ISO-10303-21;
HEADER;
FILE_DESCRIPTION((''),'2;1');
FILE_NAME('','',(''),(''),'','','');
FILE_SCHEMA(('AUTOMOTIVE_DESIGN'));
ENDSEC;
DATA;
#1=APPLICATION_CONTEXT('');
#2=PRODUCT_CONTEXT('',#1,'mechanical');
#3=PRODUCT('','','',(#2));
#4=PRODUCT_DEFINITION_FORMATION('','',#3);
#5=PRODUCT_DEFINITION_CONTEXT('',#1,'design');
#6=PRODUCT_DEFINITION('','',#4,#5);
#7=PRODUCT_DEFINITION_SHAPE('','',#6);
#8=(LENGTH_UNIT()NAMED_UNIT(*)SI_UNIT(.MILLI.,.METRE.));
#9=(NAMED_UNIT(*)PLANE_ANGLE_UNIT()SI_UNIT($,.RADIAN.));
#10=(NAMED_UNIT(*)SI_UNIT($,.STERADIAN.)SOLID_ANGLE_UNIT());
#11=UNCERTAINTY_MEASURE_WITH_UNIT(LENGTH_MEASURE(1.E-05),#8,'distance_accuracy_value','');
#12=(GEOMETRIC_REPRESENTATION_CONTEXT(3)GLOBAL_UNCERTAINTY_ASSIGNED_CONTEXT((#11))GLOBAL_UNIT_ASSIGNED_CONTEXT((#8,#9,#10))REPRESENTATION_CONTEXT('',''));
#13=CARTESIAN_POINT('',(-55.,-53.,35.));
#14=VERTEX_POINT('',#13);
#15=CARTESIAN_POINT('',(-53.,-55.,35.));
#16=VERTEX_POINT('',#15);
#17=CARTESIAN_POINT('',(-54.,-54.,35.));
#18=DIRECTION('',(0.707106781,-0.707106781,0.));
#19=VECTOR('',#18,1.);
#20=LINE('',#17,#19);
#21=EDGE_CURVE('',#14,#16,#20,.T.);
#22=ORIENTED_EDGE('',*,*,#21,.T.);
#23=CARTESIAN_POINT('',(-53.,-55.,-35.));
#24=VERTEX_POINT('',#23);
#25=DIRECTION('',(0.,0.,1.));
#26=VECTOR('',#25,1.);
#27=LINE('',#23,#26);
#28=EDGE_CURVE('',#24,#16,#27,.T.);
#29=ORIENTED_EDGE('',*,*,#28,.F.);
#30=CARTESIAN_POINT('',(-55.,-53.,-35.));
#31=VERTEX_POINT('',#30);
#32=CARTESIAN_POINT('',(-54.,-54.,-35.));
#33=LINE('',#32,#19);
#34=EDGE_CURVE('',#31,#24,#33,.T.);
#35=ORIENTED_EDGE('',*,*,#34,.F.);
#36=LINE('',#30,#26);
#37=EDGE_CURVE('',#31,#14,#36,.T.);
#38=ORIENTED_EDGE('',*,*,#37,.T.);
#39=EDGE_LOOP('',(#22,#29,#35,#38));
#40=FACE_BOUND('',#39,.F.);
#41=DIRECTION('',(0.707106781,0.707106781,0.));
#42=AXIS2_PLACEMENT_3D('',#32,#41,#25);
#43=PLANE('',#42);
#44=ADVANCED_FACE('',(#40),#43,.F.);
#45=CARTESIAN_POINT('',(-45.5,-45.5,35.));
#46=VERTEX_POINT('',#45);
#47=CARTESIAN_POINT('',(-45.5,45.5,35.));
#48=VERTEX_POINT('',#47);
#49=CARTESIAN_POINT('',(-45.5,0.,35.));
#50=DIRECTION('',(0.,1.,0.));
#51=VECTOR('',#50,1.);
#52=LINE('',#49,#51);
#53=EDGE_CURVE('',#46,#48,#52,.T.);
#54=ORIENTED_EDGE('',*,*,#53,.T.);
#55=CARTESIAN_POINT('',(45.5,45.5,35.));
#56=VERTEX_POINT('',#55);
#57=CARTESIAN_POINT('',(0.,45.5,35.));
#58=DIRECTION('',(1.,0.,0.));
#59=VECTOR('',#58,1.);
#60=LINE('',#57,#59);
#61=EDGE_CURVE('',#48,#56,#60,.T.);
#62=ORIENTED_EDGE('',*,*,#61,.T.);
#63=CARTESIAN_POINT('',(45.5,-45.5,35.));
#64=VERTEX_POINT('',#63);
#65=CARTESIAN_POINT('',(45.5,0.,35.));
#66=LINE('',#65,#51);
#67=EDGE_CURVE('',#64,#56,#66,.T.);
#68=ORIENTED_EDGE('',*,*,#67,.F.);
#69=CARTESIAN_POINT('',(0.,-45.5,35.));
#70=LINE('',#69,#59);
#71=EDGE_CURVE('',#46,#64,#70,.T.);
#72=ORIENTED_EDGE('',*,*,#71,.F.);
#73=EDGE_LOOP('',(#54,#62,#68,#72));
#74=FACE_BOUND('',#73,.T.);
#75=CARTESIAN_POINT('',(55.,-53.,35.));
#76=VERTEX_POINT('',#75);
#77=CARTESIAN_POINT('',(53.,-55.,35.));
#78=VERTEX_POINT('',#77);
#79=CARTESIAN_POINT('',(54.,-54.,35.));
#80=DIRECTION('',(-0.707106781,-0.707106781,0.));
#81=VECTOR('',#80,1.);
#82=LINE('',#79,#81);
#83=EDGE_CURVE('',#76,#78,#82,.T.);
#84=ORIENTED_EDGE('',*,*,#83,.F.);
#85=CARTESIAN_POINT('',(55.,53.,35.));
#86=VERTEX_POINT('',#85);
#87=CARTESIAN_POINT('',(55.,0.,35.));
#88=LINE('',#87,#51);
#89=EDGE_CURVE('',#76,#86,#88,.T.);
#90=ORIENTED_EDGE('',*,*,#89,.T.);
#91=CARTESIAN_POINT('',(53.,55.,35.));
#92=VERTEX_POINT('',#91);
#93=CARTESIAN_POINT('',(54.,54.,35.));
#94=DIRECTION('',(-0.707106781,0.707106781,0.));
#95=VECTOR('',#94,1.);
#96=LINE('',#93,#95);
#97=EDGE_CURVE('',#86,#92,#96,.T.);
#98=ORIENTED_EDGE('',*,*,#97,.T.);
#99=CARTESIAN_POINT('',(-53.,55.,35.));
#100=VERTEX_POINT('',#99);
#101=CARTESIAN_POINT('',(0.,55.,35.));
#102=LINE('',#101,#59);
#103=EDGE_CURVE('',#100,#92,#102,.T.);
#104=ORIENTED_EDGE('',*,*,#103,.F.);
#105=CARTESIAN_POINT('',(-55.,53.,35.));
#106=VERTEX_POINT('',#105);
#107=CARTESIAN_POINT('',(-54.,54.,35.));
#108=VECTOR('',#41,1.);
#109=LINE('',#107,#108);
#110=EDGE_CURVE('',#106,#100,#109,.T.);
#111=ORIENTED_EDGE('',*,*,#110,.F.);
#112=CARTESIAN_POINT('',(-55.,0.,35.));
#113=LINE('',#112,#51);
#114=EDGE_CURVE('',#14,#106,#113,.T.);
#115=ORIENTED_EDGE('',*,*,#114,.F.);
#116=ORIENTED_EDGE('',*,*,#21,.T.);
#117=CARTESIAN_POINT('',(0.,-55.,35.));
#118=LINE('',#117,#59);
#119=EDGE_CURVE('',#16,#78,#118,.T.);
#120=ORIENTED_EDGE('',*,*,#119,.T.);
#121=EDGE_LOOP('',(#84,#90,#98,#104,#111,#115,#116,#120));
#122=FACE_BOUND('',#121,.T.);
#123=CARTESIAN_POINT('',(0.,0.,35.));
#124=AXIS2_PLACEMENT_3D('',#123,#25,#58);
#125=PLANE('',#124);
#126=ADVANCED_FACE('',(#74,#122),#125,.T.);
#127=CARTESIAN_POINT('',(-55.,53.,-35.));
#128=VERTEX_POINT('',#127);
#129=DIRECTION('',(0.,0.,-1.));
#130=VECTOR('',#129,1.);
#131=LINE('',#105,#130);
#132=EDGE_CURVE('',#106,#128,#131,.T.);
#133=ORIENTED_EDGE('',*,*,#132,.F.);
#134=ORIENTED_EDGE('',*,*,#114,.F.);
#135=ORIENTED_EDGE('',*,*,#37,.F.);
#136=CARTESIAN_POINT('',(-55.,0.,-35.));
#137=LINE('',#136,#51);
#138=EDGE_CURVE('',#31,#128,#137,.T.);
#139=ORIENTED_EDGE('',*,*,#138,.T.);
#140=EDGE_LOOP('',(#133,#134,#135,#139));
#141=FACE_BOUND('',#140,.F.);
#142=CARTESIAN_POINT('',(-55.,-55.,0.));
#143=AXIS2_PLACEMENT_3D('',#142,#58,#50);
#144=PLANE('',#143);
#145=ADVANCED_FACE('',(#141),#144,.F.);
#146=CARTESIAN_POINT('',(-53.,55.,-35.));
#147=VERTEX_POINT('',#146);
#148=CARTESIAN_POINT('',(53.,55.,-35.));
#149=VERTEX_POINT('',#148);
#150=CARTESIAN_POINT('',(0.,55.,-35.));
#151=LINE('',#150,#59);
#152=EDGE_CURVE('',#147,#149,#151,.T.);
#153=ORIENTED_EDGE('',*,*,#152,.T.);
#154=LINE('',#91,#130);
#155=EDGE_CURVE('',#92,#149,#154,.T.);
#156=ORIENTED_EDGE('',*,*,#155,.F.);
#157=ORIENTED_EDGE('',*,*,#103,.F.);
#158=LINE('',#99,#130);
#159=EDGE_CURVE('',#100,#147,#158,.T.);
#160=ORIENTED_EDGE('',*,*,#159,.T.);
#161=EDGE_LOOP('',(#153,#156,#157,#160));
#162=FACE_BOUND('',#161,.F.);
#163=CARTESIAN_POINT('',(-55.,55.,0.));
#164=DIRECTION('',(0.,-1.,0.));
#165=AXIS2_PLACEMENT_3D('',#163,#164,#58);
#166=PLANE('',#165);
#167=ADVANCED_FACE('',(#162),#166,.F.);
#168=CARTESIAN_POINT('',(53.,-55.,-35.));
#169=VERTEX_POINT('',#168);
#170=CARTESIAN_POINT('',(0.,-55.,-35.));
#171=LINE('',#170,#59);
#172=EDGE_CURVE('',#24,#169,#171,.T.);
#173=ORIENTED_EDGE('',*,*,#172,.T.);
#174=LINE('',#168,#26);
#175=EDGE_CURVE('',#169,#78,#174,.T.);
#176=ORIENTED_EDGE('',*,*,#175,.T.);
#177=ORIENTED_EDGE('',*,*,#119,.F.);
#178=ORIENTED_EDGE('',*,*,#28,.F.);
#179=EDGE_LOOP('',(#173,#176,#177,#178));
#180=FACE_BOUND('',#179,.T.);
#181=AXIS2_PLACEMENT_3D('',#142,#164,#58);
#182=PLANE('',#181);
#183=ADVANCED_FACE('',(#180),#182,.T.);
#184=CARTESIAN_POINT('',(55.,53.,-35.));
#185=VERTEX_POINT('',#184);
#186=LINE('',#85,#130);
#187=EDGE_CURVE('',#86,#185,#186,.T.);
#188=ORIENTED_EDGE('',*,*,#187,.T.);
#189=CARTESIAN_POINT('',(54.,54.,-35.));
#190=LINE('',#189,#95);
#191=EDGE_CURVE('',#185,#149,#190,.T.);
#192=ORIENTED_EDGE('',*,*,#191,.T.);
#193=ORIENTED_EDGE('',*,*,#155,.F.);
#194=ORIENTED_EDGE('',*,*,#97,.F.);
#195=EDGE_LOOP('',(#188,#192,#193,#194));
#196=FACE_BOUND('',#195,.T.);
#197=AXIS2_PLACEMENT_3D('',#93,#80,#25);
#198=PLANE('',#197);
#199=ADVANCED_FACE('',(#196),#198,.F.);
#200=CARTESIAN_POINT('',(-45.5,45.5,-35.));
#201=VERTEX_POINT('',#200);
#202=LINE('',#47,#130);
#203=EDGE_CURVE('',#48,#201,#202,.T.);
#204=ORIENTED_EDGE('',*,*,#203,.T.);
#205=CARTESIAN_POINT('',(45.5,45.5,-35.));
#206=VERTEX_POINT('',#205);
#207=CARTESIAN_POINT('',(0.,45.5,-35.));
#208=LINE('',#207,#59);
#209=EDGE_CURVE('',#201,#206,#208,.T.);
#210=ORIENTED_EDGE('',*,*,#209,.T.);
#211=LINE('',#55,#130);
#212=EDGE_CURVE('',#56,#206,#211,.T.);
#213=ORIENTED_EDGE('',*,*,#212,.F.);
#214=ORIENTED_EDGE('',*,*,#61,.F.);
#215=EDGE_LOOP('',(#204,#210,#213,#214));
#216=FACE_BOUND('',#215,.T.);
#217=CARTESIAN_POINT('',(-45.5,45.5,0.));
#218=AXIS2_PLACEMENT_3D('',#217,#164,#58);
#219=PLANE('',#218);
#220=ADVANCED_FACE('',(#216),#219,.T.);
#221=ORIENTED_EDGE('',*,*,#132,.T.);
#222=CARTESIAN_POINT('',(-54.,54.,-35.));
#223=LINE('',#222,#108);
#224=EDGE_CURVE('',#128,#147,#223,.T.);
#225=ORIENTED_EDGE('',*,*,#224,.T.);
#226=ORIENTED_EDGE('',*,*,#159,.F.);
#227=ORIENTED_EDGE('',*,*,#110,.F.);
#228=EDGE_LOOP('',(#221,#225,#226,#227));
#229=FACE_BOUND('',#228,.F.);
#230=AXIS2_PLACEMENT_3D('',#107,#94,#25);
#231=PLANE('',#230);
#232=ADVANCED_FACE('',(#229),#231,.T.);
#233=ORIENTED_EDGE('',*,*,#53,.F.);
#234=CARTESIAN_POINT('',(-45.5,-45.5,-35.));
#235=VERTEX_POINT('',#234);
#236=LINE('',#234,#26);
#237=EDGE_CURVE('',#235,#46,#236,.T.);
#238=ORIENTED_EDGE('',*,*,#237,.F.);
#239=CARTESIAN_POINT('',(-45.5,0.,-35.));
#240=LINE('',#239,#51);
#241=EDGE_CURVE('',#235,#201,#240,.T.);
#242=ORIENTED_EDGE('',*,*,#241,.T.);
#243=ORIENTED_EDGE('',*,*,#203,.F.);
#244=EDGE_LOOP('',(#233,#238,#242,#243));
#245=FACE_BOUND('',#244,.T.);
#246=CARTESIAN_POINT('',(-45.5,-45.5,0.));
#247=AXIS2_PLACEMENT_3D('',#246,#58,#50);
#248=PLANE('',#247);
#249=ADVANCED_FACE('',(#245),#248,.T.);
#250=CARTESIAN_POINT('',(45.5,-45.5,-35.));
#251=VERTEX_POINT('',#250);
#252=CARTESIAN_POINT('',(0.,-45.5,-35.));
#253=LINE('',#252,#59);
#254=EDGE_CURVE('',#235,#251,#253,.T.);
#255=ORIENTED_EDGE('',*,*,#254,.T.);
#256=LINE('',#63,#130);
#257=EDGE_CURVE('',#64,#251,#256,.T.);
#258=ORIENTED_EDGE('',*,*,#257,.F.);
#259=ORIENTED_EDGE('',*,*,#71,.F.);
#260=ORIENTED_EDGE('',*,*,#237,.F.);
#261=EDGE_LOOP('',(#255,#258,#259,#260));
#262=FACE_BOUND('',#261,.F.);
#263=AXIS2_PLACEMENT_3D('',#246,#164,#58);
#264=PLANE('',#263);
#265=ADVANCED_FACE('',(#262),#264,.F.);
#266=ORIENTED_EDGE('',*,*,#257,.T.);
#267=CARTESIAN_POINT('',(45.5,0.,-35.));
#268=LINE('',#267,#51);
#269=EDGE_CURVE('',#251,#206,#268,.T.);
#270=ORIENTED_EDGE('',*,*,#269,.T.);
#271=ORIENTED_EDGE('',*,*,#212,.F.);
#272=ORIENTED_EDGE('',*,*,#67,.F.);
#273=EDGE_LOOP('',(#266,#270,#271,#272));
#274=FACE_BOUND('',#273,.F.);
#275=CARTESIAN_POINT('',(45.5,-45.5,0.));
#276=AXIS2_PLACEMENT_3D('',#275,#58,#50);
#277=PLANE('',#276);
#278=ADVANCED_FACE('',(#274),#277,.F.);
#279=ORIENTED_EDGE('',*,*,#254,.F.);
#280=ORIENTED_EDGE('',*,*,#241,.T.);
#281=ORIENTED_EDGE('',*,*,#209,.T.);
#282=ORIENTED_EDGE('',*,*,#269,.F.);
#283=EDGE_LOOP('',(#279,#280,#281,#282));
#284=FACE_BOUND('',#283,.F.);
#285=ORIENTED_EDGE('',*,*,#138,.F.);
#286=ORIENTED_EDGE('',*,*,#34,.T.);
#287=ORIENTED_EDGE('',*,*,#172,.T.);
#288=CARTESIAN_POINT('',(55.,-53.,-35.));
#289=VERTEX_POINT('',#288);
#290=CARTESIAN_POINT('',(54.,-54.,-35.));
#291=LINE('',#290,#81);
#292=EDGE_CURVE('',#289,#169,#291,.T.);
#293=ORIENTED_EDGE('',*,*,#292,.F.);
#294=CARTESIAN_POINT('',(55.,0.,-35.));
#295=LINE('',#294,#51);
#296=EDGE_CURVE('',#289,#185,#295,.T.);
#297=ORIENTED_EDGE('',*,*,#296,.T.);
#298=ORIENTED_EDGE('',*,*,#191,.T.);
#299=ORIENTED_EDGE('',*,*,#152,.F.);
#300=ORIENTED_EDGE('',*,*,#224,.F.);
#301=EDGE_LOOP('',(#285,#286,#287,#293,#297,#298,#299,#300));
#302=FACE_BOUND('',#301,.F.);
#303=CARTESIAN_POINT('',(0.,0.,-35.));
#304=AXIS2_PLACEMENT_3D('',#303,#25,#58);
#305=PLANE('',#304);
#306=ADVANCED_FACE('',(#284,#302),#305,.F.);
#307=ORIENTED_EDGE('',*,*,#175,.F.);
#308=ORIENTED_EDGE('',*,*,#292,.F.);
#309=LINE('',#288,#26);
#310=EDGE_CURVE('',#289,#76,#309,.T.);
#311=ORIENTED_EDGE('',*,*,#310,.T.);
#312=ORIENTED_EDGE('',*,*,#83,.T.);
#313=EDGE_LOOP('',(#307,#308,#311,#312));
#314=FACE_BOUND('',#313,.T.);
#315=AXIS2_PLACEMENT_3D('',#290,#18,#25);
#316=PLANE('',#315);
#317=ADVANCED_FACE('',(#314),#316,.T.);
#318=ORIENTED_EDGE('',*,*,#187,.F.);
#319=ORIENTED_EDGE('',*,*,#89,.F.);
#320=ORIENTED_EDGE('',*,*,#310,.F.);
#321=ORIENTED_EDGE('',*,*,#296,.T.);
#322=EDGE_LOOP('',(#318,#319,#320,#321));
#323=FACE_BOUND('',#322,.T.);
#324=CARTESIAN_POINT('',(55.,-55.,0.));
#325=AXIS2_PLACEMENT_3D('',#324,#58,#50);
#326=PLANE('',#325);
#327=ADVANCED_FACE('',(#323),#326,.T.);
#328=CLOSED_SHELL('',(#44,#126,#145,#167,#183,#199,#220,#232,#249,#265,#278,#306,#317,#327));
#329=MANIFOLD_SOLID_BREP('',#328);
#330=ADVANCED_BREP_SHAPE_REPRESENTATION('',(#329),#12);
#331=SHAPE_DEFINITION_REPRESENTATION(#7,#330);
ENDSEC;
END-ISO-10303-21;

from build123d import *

# Parameters (mm, degrees)
F0_W     = 110
F0_H     = 110
F0_W_2   = 91
F0_H_2   = 91
F1_DEPTH = 35
F2_SIZE  = 2


with BuildPart() as f1:
    # F0 (on Top) → F1 (new body, symmetric)
    with BuildSketch(Plane.XY):
        Rectangle(F0_W, F0_H)
        Rectangle(F0_W_2, F0_H_2, mode=Mode.SUBTRACT)
    extrude(amount=F1_DEPTH, both=True)

    # F2
    f2_edges = [f1.edges().sort_by_distance(p)[0] for p in [
        (-55, -55, 0),
        (55, -55, 0),
        (55, 55, 0),
        (-55, 55, 0),
    ]]
    chamfer(f2_edges, length=F2_SIZE)


solid = f1.part
